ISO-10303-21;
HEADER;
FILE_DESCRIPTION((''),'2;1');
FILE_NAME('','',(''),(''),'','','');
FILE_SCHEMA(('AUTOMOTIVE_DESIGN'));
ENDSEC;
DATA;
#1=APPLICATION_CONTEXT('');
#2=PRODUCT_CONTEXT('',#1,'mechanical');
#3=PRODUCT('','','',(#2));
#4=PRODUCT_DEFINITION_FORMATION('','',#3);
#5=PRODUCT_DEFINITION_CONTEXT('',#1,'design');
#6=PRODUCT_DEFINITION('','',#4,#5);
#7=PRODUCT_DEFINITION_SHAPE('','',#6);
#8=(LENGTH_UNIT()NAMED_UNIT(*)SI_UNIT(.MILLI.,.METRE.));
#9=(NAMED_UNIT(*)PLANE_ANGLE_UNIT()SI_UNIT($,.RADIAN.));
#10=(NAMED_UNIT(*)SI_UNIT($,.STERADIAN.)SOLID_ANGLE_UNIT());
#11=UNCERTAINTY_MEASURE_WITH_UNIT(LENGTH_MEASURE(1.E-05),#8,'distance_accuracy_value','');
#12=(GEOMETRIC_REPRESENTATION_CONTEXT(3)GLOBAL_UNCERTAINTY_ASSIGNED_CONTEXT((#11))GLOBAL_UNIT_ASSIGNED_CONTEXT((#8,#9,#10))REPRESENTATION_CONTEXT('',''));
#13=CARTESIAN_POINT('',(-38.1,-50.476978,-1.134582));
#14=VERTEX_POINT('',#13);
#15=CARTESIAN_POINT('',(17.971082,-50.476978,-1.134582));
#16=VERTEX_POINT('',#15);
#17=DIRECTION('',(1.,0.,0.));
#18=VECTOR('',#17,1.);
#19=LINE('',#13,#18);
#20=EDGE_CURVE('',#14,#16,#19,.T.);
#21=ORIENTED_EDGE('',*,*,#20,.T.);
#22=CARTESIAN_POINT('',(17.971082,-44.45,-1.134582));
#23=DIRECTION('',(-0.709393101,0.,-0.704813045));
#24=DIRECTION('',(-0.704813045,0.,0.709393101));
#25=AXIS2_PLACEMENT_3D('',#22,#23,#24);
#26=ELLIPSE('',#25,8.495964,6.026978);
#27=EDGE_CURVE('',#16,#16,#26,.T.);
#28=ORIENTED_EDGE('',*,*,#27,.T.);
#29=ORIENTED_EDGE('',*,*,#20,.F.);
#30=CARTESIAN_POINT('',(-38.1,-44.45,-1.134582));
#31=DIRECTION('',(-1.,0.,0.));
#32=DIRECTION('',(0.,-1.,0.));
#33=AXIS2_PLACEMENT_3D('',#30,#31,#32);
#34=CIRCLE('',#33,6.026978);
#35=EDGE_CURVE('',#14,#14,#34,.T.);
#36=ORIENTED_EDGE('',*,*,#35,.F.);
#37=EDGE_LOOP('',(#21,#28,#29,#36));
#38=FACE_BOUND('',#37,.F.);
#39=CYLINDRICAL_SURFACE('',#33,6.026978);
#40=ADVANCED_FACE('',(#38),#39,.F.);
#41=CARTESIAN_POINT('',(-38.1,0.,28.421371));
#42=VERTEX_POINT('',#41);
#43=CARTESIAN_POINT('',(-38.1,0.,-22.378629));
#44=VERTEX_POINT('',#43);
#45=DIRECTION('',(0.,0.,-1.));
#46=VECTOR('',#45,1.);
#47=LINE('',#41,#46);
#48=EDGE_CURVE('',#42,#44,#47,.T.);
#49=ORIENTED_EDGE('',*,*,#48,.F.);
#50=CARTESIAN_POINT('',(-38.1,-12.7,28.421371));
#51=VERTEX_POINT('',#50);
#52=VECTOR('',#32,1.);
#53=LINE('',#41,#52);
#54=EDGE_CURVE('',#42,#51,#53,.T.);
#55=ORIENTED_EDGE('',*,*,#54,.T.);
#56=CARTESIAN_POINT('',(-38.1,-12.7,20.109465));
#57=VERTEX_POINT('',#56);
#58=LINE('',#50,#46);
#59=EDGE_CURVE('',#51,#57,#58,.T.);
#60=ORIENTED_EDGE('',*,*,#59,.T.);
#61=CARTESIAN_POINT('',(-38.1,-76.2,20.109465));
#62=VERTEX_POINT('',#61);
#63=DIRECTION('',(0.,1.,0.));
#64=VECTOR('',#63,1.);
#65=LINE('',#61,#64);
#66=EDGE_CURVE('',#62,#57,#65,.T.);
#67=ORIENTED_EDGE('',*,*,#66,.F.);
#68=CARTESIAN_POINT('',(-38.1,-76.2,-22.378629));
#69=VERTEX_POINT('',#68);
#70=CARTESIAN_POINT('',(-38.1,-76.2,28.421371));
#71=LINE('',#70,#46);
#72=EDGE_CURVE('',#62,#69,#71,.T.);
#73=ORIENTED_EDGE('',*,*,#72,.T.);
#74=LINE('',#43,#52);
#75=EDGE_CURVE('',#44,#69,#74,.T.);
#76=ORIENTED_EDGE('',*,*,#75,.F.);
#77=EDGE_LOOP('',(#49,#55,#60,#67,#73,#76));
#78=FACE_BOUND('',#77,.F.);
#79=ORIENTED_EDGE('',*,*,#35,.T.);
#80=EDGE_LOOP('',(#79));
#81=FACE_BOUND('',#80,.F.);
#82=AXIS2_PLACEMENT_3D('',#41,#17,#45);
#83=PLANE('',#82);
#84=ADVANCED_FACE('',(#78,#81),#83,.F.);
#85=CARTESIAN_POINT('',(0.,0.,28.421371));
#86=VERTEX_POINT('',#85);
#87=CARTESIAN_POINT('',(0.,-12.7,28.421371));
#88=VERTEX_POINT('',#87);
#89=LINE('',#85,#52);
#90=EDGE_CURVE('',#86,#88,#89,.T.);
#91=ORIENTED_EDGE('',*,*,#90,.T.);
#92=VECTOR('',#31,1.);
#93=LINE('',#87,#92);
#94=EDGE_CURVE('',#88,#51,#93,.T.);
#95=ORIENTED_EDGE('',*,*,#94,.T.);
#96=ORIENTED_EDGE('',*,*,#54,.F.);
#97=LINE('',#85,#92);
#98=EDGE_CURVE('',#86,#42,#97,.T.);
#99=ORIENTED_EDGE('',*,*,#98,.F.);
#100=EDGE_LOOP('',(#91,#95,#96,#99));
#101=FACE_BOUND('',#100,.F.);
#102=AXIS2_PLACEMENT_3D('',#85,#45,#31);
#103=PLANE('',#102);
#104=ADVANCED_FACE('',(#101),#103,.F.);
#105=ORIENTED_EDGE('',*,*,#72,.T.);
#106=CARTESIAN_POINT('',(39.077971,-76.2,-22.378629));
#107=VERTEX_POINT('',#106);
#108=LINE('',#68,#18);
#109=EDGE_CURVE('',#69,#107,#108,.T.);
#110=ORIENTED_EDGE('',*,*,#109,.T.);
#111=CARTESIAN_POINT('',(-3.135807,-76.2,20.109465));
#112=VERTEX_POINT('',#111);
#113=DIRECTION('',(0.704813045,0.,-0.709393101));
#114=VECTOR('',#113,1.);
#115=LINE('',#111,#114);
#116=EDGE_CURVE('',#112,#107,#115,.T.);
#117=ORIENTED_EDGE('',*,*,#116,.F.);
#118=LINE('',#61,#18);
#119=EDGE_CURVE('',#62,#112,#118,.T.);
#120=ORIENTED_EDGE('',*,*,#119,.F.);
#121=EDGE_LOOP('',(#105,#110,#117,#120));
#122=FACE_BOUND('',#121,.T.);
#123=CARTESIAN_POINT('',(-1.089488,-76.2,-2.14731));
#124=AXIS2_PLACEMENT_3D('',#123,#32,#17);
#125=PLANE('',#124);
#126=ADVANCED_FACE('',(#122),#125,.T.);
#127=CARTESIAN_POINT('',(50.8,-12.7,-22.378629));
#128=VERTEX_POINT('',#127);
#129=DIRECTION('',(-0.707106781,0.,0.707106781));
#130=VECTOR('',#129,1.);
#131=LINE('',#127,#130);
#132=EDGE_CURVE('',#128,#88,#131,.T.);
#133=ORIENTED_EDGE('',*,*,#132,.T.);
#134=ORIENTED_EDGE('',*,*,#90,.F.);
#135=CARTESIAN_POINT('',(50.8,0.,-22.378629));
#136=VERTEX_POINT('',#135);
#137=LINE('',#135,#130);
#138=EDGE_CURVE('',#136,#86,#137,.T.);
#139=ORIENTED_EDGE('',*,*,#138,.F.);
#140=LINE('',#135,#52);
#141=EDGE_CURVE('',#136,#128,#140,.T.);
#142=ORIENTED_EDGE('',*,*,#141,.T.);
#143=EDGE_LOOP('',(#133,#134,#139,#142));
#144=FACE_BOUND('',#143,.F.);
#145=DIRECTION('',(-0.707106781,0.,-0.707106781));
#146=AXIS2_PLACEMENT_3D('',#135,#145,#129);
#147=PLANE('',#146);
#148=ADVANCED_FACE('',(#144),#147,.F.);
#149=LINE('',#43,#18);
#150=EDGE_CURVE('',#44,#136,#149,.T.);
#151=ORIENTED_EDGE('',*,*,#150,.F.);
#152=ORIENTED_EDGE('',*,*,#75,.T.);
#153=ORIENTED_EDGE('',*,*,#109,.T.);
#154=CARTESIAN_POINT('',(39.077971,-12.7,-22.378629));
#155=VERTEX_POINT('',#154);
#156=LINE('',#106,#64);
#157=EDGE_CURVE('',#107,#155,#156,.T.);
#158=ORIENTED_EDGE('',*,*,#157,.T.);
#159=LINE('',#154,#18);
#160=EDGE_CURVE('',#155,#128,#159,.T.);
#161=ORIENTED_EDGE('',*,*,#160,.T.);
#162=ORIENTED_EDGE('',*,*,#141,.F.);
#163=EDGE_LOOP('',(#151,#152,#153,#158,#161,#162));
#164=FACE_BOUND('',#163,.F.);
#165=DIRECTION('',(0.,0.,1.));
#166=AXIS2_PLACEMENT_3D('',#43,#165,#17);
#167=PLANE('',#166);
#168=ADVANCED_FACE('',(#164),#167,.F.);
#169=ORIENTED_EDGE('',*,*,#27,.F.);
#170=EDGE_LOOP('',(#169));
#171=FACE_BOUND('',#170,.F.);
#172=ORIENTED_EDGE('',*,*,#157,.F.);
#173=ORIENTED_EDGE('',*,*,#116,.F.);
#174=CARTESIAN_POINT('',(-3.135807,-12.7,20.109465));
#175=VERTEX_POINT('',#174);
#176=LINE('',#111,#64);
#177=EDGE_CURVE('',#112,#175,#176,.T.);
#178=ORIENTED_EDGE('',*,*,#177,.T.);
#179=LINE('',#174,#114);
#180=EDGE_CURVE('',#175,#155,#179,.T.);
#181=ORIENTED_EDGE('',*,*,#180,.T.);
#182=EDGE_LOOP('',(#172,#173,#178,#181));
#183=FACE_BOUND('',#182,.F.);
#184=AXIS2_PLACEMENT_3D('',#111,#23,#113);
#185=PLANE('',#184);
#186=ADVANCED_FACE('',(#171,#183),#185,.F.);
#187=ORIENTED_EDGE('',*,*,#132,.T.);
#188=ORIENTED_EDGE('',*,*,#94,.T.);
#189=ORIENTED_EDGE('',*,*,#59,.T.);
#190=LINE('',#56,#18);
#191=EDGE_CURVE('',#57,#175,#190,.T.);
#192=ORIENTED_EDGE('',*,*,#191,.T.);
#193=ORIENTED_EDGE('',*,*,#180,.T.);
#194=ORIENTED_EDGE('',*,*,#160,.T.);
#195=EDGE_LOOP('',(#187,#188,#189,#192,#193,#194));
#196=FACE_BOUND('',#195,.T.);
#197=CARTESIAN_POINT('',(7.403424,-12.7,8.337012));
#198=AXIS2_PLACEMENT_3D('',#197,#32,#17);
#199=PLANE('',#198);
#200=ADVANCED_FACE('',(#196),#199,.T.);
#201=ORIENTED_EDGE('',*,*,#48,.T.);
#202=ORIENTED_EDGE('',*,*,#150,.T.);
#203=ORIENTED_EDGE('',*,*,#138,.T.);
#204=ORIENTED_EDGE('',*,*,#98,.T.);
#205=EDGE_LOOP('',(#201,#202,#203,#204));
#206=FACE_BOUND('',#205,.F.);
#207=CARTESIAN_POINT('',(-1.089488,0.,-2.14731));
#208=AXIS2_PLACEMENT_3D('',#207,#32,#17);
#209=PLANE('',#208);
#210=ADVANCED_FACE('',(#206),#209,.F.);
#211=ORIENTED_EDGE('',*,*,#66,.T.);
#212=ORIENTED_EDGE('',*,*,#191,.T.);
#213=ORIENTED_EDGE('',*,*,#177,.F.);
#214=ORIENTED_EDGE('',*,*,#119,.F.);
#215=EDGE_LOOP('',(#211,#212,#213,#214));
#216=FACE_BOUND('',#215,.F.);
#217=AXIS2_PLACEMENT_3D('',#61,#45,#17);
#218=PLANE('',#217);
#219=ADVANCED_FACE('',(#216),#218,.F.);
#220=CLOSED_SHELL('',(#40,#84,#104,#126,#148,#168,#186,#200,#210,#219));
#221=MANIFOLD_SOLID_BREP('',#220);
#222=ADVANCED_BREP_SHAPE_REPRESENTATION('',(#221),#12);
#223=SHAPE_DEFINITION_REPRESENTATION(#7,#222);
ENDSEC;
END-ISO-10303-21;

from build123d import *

# Parameters (mm, degrees)
F1_DEPTH = 76.2
F3_DEPTH = 63.5
F4_R     = 6.026978
F5_DEPTH = 254


with BuildPart() as f1:
    # F0 (on Front) → F1 (new body)
    with BuildSketch(Plane.XZ):
        Polygon((0, 28.421371), (-38.1, 28.421371), (-38.1, -22.378629), (50.8, -22.378629), align=None)
    extrude(amount=F1_DEPTH)

    # F2 (on face) → F3 (cut)
    with BuildSketch(Plane.XZ.offset(76.2)):
        Polygon((-38.1, 28.421371), (-38.1, 20.109465), (-3.135807, 20.109465), (39.077971, -22.378629), (50.8, -22.378629), (0, 28.421371), align=None)
    extrude(amount=-F3_DEPTH, mode=Mode.SUBTRACT)

    # F4 (on face) → F5 (cut)
    with BuildSketch(Plane(origin=(-38.1, 0, 0), x_dir=(0, -1, 0), z_dir=(-1, 0, 0))):
        with Locations((44.45, -1.134582)):
            Circle(F4_R)
    extrude(amount=-F5_DEPTH, mode=Mode.SUBTRACT)


solid = f1.part
